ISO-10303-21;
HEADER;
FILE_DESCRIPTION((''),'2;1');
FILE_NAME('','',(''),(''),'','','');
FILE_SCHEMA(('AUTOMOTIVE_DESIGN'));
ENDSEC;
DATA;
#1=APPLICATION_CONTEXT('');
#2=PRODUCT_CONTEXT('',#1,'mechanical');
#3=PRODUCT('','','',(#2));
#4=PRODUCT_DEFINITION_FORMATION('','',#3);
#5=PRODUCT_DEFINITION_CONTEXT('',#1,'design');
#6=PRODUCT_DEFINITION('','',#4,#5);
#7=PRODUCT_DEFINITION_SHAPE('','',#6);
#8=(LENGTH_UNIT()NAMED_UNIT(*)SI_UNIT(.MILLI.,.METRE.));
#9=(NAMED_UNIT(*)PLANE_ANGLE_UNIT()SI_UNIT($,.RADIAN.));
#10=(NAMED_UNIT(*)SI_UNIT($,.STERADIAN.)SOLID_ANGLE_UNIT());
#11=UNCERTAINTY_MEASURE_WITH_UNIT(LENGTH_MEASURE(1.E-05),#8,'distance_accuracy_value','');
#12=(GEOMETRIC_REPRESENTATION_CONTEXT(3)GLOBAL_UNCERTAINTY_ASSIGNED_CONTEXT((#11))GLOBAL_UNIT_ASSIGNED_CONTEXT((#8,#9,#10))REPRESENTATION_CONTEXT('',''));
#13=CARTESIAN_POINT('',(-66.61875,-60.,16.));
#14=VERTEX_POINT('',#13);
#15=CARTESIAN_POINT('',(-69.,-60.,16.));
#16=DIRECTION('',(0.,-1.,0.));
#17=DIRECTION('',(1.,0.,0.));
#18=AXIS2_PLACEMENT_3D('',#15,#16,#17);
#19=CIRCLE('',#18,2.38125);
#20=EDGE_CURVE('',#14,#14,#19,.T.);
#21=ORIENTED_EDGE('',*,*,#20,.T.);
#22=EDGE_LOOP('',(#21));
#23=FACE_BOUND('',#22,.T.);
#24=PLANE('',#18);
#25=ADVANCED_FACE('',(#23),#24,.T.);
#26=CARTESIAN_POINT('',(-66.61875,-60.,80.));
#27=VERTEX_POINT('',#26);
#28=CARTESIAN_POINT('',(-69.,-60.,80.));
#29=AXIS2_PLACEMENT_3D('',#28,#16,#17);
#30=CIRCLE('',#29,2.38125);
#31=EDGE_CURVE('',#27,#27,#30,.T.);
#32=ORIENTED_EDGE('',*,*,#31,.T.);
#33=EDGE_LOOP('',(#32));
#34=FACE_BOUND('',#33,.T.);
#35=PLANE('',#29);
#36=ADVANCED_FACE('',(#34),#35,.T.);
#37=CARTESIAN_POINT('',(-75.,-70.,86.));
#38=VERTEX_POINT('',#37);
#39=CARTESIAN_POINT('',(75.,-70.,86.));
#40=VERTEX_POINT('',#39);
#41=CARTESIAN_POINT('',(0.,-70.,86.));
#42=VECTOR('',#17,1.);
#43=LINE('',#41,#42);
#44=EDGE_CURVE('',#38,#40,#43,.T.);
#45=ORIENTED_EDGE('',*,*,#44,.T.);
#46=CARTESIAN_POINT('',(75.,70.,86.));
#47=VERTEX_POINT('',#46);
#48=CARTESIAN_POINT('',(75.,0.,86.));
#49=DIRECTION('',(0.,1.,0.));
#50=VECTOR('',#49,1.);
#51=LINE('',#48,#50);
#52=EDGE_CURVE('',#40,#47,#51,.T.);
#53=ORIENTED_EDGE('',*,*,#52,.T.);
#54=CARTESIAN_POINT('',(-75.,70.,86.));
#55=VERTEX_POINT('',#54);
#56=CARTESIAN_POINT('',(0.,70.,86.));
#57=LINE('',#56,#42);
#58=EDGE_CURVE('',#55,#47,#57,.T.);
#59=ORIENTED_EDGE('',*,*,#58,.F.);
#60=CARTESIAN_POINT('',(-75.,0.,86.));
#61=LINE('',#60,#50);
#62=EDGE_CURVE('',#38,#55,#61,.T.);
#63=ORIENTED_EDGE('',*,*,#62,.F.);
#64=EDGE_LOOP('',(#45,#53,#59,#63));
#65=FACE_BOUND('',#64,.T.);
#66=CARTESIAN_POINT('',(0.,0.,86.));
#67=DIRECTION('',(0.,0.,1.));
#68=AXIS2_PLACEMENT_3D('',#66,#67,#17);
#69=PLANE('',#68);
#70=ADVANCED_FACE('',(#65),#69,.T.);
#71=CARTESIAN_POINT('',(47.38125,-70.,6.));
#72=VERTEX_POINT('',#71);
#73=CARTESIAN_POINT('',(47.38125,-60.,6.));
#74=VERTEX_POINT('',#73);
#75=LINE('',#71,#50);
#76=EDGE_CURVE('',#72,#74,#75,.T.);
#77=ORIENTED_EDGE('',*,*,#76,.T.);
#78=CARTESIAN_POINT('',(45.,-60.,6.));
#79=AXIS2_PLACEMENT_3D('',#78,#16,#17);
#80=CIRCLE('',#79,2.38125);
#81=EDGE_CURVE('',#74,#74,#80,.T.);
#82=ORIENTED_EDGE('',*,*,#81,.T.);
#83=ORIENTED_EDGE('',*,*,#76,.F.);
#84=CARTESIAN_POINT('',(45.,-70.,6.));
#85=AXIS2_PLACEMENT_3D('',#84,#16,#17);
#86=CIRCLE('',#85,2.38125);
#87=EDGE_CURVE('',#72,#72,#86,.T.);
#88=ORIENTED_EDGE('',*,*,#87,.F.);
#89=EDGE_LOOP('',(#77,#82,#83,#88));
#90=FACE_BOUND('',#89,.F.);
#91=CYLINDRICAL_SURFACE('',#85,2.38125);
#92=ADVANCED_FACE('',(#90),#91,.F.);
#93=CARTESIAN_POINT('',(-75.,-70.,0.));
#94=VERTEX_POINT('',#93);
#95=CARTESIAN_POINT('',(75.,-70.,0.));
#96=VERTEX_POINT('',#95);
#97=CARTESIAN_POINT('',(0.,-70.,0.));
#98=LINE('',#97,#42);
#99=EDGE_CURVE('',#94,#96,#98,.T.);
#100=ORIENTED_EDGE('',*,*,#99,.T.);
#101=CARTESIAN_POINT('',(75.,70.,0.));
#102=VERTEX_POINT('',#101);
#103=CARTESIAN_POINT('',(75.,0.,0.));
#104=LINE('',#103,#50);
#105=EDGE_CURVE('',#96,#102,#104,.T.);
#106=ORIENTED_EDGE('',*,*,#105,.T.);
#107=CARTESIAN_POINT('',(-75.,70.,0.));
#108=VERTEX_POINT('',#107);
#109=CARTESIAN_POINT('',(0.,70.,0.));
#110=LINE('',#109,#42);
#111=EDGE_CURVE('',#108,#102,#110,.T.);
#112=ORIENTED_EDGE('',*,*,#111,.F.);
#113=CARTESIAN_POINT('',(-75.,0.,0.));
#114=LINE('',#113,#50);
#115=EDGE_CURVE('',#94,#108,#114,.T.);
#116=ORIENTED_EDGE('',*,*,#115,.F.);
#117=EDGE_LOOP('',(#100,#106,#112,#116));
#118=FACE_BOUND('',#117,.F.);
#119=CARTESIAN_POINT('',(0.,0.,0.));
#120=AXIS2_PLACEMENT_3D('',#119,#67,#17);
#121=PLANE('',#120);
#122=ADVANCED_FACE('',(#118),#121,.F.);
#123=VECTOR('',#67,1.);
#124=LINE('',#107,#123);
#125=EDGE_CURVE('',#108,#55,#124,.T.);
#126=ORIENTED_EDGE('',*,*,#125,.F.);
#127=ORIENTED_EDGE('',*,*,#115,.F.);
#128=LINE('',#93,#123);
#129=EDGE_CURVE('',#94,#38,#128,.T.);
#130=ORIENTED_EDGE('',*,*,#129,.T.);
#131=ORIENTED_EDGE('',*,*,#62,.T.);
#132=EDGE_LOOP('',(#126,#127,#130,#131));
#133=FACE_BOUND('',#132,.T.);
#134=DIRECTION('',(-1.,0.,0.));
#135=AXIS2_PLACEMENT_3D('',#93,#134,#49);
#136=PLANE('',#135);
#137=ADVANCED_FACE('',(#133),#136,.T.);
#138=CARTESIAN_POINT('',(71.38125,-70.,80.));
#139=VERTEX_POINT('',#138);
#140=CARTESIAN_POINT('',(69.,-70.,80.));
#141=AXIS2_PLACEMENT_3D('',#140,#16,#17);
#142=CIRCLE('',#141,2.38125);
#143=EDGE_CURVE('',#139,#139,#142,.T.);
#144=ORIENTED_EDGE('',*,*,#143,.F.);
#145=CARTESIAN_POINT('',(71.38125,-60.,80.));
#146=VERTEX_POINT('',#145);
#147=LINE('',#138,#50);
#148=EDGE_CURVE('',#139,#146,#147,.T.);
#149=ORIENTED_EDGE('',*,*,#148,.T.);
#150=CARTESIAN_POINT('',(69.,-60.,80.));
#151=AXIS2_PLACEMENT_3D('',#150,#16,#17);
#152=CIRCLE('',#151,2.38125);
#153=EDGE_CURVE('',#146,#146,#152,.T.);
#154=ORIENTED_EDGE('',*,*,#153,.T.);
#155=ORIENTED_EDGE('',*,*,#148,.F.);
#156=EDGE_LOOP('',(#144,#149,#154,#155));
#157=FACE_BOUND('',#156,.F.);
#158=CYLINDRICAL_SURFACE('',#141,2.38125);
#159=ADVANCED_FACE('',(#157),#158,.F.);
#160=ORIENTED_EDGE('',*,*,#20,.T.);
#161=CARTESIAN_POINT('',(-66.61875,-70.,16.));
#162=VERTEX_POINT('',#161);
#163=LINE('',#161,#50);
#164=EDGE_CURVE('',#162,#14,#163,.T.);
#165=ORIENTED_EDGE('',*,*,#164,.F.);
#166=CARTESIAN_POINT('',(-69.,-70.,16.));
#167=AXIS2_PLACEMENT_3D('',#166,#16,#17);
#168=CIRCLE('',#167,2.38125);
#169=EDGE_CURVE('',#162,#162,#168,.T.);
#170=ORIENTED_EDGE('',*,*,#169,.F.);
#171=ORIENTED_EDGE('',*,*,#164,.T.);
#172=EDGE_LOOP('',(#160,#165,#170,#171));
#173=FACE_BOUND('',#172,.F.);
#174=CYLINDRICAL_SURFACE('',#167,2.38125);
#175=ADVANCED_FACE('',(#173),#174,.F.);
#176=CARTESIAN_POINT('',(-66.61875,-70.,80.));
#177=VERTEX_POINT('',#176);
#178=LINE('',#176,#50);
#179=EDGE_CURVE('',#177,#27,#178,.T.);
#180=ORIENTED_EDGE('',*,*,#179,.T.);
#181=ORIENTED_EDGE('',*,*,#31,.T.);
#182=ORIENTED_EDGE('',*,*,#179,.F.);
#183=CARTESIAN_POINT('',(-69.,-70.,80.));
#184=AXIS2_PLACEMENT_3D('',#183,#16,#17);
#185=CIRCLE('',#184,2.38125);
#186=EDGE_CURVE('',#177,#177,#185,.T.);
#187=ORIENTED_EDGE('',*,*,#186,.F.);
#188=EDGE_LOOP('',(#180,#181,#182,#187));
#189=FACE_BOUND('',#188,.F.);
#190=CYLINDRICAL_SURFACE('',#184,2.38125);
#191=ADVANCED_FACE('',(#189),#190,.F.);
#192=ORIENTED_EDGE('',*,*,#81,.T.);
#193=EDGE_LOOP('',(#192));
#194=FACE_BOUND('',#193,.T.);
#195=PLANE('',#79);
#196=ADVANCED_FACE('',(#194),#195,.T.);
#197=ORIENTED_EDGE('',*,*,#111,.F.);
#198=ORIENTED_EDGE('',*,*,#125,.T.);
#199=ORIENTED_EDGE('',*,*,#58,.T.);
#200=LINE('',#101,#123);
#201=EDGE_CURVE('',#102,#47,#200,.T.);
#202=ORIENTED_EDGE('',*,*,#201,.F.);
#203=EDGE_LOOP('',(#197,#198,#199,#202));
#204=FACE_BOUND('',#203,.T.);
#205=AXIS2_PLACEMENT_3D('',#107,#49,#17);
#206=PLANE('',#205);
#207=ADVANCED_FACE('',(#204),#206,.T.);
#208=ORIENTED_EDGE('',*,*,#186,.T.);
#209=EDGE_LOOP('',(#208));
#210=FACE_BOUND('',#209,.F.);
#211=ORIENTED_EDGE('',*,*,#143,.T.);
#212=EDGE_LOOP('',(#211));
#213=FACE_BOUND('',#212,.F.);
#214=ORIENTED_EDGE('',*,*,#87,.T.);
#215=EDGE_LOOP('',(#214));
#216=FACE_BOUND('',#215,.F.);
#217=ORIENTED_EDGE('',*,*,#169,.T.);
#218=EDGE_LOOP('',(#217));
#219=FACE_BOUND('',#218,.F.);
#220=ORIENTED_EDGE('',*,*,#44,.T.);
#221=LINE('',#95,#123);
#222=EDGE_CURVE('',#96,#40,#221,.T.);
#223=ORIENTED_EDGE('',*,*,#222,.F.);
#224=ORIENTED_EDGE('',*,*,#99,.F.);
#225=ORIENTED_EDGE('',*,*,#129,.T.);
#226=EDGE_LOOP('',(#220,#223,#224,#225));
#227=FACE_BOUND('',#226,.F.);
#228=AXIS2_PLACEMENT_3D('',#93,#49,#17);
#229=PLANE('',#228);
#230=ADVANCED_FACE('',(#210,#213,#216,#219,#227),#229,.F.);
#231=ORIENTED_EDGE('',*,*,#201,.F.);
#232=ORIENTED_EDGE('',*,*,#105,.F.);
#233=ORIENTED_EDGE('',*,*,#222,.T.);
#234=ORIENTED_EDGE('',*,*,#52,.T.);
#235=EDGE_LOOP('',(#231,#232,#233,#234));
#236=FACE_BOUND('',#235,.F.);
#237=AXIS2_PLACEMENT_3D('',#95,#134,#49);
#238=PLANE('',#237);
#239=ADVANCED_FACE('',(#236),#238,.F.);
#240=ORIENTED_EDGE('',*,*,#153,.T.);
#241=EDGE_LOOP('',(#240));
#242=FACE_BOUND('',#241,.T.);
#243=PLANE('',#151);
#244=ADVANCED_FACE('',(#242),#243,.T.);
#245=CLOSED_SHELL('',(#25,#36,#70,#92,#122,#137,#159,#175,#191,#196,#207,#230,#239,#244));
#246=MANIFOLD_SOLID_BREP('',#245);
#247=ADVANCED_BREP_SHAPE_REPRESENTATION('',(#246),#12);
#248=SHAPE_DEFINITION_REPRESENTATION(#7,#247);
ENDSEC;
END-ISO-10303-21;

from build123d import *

# Parameters (mm, degrees)
F0_W     = 150
F0_H     = 140
F1_DEPTH = 86
F2_R     = 2.38125
F3_DEPTH = 10


with BuildPart() as f1:
    # F0 (on Top) → F1 (new body)
    with BuildSketch(Plane.XY):
        Rectangle(F0_W, F0_H)
    extrude(amount=F1_DEPTH)

    # F2 (on face) → F3 (cut)
    with BuildSketch(Plane.XZ.offset(70)):
        with Locations((-69, 80)):
            Circle(F2_R)
        with Locations((-69, 16)):
            Circle(F2_R)
        with Locations((69, 80)):
            Circle(F2_R)
        with Locations((45, 6)):
            Circle(F2_R)
    extrude(amount=-F3_DEPTH, mode=Mode.SUBTRACT)


solid = f1.part
